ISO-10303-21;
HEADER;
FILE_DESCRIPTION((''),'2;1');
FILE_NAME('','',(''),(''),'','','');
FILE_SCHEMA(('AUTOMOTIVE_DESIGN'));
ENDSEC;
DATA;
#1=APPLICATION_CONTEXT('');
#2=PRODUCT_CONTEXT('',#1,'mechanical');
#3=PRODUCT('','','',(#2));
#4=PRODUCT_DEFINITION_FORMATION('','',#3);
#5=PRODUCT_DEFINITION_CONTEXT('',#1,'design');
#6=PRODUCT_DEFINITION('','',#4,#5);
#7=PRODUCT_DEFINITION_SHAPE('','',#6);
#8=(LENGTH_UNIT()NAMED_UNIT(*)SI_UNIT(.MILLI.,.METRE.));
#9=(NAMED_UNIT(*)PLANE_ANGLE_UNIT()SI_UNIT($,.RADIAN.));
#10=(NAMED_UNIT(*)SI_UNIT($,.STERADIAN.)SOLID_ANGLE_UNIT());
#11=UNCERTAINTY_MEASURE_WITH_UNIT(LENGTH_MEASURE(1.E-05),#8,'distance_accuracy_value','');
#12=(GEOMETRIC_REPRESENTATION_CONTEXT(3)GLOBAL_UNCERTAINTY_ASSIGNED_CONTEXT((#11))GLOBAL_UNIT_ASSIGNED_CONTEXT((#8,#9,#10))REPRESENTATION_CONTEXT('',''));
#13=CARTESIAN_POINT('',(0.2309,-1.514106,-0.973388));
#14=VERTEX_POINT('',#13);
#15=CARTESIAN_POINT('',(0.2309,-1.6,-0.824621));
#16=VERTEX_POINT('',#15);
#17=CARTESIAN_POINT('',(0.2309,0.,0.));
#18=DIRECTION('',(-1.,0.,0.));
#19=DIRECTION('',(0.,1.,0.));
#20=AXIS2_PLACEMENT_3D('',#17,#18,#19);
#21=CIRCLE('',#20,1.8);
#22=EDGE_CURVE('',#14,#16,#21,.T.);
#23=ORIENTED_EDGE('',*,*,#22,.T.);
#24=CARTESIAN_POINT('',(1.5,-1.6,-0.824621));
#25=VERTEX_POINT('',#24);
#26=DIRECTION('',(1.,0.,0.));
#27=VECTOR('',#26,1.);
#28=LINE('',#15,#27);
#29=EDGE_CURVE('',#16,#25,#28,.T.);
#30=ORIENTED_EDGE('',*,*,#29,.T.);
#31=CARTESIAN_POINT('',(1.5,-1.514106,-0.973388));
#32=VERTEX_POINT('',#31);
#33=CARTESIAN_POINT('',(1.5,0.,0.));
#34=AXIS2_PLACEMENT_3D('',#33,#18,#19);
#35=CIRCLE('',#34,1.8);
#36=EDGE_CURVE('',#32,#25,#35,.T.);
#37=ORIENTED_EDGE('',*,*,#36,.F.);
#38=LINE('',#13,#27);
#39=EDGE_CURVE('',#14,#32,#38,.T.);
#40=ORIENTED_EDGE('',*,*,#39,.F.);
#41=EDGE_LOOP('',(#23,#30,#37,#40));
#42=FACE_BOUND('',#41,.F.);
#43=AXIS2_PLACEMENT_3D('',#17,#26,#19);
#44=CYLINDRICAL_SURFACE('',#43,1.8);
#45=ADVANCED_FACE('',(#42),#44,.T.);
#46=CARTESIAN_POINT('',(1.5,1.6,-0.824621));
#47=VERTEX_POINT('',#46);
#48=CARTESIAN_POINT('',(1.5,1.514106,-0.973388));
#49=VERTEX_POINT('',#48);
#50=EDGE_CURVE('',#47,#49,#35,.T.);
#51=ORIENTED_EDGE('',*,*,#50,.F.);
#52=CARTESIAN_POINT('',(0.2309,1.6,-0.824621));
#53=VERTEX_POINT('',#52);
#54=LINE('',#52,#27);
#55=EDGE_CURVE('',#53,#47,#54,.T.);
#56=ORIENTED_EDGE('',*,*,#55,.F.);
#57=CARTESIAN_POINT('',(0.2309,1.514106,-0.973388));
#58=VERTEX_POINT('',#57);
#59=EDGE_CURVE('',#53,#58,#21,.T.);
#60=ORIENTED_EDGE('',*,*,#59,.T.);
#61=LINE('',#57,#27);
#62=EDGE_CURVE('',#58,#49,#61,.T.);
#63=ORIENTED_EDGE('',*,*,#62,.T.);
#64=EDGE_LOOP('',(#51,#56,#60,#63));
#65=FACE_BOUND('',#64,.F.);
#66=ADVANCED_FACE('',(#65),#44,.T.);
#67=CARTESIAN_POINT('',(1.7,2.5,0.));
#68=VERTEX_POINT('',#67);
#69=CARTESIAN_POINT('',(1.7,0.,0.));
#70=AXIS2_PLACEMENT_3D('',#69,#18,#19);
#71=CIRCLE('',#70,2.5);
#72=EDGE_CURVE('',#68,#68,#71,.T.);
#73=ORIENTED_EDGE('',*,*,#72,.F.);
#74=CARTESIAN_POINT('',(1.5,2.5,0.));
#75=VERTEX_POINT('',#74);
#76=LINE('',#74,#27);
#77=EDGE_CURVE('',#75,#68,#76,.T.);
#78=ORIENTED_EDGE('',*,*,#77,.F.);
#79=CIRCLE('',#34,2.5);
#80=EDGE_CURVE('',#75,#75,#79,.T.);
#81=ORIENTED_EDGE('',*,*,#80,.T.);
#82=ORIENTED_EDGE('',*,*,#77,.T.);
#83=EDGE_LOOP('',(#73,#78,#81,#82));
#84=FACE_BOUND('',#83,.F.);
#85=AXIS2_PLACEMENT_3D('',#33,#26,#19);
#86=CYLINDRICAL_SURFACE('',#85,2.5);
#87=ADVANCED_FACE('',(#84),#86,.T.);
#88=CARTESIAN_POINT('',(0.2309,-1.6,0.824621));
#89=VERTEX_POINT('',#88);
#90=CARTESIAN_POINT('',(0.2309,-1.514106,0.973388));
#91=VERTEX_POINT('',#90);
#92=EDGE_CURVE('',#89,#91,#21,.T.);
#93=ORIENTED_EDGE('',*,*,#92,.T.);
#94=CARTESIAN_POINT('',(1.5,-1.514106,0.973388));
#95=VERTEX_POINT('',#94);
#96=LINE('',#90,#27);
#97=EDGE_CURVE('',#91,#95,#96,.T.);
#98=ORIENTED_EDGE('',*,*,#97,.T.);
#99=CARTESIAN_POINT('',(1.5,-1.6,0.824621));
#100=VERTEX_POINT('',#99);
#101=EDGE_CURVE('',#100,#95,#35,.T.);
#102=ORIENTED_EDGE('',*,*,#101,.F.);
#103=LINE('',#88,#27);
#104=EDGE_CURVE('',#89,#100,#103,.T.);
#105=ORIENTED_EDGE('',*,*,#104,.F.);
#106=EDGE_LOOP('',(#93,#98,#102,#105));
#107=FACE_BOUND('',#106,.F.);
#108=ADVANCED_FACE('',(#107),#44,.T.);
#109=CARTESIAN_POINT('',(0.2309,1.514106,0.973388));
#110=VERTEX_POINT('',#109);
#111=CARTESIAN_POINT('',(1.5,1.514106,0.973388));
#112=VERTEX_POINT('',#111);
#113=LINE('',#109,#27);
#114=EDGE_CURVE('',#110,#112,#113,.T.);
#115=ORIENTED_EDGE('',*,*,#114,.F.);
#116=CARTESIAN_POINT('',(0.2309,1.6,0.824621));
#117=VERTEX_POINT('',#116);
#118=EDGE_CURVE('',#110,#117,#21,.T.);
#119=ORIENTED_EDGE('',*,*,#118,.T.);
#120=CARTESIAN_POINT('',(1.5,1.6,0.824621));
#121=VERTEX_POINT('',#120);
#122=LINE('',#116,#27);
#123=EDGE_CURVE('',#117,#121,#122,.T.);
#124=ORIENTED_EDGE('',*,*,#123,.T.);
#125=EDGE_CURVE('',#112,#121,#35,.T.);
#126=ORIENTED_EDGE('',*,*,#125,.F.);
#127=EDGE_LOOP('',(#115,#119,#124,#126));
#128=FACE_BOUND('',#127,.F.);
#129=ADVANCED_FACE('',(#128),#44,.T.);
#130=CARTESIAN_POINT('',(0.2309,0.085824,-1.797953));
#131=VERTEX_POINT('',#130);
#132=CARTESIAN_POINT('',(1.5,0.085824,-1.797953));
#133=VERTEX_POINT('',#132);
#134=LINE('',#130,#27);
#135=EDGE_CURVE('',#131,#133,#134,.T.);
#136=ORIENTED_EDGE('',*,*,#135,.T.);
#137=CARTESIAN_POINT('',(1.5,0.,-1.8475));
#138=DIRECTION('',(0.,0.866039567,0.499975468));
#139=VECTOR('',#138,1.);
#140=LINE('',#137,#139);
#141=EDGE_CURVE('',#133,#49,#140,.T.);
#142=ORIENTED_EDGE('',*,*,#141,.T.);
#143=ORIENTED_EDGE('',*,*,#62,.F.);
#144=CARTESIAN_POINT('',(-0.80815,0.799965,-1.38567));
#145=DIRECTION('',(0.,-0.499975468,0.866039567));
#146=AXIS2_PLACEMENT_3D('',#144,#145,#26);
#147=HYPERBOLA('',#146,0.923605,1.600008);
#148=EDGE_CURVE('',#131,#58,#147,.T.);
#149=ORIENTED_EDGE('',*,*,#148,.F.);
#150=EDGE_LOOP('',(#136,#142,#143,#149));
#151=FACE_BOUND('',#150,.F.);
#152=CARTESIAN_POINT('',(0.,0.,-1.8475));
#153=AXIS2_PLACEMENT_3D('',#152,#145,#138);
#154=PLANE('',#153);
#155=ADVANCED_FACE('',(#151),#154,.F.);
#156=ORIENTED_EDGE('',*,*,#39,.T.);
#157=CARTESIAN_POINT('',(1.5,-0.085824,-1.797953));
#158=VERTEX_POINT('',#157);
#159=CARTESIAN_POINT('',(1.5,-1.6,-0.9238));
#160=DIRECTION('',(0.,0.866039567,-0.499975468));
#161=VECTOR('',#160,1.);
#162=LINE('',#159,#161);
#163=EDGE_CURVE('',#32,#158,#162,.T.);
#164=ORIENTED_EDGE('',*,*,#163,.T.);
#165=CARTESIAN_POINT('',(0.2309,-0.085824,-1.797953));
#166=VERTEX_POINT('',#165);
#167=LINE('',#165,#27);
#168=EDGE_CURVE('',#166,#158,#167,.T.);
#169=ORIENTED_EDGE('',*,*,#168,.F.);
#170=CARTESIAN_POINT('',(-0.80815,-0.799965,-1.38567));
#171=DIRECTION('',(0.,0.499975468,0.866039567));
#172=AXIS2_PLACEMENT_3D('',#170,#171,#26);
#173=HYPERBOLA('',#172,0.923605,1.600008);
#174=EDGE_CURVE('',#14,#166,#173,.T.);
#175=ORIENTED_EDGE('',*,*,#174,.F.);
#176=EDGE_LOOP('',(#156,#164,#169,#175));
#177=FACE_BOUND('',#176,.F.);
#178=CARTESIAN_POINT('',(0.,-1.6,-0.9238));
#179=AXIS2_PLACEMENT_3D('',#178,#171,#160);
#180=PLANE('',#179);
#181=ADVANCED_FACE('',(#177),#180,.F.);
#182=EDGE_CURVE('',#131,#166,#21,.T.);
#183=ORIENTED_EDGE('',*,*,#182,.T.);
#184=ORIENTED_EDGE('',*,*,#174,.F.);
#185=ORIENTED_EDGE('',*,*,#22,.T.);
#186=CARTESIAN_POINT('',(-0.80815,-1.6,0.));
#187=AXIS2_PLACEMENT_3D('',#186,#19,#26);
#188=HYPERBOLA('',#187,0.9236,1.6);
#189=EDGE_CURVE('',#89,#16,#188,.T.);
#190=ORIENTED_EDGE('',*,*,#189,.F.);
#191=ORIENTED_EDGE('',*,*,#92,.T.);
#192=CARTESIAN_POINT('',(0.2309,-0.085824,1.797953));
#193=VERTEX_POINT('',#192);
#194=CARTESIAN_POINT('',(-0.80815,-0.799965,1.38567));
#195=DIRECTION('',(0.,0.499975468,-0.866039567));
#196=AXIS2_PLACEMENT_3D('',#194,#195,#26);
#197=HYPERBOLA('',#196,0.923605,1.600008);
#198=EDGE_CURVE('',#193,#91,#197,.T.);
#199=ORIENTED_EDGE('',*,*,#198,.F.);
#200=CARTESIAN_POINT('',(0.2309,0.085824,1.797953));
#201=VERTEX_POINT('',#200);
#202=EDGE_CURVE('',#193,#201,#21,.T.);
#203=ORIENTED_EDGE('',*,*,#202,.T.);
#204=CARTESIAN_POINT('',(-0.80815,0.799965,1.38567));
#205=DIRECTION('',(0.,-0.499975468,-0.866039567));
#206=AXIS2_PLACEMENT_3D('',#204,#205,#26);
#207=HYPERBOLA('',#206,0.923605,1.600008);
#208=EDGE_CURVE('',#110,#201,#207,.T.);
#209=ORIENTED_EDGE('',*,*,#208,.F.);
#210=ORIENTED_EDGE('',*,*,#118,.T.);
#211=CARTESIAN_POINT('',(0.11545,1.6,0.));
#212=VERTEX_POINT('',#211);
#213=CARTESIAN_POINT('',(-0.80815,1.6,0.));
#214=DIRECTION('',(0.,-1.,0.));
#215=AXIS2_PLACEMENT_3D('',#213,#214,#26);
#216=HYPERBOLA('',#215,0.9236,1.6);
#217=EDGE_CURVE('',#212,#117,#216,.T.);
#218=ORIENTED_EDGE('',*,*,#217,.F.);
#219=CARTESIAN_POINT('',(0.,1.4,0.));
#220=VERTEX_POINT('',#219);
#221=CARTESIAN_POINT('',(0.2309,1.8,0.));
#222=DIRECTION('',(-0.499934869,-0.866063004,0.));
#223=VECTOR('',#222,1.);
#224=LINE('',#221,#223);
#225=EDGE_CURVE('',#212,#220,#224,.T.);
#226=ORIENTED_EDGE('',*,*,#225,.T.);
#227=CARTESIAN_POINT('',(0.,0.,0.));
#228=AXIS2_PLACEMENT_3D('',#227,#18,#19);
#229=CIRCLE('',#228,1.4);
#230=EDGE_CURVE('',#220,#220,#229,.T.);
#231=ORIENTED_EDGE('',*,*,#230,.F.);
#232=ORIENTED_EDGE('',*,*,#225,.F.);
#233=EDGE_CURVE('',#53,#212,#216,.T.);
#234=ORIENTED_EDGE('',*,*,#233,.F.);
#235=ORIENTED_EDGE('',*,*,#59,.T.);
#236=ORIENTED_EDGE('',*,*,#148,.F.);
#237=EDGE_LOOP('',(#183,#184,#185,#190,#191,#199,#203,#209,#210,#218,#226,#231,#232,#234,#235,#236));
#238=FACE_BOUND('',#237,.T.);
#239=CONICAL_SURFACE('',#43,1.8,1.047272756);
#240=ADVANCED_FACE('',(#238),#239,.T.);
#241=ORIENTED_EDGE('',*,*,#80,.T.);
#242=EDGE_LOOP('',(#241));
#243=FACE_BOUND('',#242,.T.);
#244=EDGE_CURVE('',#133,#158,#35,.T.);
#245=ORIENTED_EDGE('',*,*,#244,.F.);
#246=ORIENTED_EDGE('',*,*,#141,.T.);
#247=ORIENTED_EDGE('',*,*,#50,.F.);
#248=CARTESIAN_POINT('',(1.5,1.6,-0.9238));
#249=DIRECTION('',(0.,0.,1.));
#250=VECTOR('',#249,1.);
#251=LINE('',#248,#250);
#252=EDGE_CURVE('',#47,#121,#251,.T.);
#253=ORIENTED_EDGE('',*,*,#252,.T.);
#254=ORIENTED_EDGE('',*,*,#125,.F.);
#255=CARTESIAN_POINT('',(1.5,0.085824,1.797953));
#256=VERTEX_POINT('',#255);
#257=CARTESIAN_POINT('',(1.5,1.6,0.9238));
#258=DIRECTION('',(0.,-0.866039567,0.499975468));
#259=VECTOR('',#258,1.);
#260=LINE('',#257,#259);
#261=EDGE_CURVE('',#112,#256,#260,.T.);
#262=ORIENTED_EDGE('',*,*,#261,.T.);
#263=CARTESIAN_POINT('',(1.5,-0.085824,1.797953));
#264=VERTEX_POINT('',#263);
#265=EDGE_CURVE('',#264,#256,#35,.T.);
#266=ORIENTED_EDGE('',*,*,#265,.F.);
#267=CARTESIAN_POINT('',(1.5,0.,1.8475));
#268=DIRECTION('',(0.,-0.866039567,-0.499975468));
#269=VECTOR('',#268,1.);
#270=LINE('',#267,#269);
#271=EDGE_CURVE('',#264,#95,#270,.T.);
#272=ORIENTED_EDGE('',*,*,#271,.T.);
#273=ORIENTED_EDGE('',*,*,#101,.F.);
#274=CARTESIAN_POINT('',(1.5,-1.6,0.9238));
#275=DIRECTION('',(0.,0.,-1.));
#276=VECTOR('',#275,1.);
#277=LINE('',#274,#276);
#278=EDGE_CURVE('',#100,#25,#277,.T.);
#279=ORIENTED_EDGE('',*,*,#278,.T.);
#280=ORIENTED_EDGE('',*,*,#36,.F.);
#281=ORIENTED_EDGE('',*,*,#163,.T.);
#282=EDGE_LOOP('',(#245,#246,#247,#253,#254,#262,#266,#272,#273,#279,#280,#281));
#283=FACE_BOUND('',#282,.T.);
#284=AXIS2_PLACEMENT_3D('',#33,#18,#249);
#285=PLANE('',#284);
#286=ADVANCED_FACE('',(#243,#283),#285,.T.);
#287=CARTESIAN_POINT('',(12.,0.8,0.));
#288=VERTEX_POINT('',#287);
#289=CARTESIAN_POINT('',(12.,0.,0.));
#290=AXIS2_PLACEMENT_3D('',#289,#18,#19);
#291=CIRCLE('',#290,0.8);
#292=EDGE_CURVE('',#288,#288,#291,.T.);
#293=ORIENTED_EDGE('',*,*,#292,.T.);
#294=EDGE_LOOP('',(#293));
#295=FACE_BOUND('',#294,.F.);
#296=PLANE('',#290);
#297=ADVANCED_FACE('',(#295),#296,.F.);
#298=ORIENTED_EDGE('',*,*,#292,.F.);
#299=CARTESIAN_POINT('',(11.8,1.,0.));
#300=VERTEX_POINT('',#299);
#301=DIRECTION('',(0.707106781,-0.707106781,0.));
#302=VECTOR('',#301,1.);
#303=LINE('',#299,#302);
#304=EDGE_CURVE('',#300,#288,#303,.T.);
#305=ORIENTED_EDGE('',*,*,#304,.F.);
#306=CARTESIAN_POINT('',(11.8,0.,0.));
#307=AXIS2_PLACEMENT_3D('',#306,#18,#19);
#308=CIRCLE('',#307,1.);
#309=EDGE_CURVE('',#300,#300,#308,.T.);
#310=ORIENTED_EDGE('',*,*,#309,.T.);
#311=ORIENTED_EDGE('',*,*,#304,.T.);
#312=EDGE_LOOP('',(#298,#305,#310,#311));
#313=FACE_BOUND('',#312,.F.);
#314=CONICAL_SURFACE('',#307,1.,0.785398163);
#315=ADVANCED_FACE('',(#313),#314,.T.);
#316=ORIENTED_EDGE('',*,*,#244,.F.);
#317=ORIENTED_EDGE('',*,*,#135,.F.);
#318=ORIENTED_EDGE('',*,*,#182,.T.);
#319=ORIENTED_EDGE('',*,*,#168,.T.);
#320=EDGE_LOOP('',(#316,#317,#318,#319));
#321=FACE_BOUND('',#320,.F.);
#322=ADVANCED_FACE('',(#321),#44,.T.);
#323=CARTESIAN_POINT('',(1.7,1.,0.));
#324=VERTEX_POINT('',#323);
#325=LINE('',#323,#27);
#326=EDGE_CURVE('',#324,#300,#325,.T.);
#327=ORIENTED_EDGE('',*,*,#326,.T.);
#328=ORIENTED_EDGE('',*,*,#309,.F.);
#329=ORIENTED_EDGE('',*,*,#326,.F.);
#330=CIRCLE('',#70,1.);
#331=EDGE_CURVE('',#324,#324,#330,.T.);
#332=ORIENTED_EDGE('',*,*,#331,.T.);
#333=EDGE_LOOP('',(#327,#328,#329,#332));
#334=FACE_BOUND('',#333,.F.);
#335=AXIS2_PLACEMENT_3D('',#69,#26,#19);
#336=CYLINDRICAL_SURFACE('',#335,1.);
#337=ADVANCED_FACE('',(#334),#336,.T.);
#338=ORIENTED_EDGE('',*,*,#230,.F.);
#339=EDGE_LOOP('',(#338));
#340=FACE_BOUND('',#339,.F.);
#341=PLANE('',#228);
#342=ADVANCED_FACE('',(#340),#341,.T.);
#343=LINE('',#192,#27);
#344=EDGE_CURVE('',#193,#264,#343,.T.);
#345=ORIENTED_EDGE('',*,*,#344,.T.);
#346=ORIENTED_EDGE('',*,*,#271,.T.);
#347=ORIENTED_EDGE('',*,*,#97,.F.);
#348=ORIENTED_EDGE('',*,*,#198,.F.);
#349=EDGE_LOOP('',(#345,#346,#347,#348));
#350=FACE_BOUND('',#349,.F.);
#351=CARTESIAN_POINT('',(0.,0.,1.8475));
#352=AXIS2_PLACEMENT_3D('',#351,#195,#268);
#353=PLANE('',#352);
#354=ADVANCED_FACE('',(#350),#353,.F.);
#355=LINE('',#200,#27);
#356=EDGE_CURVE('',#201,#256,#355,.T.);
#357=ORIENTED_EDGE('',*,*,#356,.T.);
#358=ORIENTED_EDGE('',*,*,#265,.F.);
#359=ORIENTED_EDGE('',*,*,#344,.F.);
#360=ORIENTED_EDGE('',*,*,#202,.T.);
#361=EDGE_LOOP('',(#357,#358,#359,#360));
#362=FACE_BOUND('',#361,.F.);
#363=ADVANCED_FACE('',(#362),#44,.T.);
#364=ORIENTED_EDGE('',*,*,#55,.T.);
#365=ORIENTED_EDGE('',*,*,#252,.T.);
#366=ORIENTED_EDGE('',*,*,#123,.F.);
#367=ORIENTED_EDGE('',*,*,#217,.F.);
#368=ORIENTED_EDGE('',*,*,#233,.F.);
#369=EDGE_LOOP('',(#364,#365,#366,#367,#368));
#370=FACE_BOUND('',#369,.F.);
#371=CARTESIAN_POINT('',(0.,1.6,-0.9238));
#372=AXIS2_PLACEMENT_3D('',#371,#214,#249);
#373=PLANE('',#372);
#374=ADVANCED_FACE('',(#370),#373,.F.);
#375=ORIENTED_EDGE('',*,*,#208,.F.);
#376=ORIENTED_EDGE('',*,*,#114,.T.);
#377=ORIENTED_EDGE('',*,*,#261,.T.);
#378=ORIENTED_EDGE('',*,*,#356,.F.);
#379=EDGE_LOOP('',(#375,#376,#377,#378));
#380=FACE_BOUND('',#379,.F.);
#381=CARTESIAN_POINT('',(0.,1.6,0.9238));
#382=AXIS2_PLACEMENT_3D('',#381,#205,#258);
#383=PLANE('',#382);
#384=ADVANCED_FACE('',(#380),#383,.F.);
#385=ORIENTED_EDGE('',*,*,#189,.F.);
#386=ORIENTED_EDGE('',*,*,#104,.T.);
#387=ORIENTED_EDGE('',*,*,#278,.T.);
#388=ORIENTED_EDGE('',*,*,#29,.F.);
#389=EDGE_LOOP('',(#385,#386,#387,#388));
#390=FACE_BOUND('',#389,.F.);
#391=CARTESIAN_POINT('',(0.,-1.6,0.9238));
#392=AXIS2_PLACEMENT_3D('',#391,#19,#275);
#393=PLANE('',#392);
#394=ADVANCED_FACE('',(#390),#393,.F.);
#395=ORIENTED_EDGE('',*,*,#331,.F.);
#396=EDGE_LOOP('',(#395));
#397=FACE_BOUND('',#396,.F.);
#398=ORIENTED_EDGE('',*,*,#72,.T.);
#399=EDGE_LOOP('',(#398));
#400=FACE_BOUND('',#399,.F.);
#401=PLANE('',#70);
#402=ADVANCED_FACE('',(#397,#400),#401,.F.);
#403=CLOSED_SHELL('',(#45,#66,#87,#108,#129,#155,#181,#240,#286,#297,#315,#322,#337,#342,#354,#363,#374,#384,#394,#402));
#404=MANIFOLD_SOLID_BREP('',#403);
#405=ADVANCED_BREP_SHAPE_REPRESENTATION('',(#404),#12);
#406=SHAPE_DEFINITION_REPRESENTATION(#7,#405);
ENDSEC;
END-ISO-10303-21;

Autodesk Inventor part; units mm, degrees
ref_plane "YZ Plane" through (0, 0, 0) normal (1, 0, 0) x (0, 1, 0)
ref_plane "XZ Plane" through (0, 0, 0) normal (0, 1, 0) x (-1, 0, 0)
ref_plane "XY Plane" through (0, 0, 0) normal (0, 0, 1) x (1, 0, 0)
sketch "Sketch15" plane through (0, 0, 0) normal (0, 0, 1) x (1, 0, 0)
  line L0 (0, 0) -> (0, 1.4)
  line L1 (0.2309, 1.8) -> (1.5, 1.8)
  line L2 (1.5, 1.8) -> (1.5, 2.5)
  line L3 (1.5, 2.5) -> (1.7, 2.5)
  line L4 (1.7, 2.5) -> (1.7, 1)
  line L5 (1.7, 1) -> (12, 1)
  line L6 (12, 0) -> (0, 0)
  line L7 (0.2309, 1.8) -> (0, 1.4)
  line L8 (12, 1) -> (12, 0)
  dimension "d78" = 0.2
  dimension "d83" = 30
  dimension "d84" = 1
  dimension "d86" = 0.4
  dimension "d87" = 1.8
  dimension "d89" = 1.5
  dimension "d90" = 2.5
  dimension "d115" = 12
revolve "Revolution1" add sketch "Sketch15" angle 360 about axis through (12, 0, 0) along (-1, 0, 0)
thread "Thread2" size "M2x0.25" class "6g" standard "ANSI Metric M Profile" length 4
sketch "Sketch16" plane through (0, 0, 0) normal (-1, 0, 0) x (0, 0, 1)
  circle A0 centre (0, 0) radius 1.4 projected
  line L0 (0.9238, 1.6) -> (1.8475, 0)
  line L1 (1.8475, 0) -> (0.9238, -1.6)
  line L2 (0.9238, -1.6) -> (-0.9238, -1.6)
  line L3 (-0.9238, -1.6) -> (-1.8475, 0)
  line L4 (-1.8475, 0) -> (-0.9238, 1.6)
  line L5 (-0.9238, 1.6) -> (0.9238, 1.6)
  circle A1 centre (0, 0) radius 2.6573
  dimension "d104" = 3.2
extrude "Extrusion15" cut sketch "Sketch16" against normal up to surface (1.5 mm away) contours A1
chamfer "Chamfer5" distance 0.2 angle 45 1 edges at (12, -1, 0)
properties part number "Bolt"
